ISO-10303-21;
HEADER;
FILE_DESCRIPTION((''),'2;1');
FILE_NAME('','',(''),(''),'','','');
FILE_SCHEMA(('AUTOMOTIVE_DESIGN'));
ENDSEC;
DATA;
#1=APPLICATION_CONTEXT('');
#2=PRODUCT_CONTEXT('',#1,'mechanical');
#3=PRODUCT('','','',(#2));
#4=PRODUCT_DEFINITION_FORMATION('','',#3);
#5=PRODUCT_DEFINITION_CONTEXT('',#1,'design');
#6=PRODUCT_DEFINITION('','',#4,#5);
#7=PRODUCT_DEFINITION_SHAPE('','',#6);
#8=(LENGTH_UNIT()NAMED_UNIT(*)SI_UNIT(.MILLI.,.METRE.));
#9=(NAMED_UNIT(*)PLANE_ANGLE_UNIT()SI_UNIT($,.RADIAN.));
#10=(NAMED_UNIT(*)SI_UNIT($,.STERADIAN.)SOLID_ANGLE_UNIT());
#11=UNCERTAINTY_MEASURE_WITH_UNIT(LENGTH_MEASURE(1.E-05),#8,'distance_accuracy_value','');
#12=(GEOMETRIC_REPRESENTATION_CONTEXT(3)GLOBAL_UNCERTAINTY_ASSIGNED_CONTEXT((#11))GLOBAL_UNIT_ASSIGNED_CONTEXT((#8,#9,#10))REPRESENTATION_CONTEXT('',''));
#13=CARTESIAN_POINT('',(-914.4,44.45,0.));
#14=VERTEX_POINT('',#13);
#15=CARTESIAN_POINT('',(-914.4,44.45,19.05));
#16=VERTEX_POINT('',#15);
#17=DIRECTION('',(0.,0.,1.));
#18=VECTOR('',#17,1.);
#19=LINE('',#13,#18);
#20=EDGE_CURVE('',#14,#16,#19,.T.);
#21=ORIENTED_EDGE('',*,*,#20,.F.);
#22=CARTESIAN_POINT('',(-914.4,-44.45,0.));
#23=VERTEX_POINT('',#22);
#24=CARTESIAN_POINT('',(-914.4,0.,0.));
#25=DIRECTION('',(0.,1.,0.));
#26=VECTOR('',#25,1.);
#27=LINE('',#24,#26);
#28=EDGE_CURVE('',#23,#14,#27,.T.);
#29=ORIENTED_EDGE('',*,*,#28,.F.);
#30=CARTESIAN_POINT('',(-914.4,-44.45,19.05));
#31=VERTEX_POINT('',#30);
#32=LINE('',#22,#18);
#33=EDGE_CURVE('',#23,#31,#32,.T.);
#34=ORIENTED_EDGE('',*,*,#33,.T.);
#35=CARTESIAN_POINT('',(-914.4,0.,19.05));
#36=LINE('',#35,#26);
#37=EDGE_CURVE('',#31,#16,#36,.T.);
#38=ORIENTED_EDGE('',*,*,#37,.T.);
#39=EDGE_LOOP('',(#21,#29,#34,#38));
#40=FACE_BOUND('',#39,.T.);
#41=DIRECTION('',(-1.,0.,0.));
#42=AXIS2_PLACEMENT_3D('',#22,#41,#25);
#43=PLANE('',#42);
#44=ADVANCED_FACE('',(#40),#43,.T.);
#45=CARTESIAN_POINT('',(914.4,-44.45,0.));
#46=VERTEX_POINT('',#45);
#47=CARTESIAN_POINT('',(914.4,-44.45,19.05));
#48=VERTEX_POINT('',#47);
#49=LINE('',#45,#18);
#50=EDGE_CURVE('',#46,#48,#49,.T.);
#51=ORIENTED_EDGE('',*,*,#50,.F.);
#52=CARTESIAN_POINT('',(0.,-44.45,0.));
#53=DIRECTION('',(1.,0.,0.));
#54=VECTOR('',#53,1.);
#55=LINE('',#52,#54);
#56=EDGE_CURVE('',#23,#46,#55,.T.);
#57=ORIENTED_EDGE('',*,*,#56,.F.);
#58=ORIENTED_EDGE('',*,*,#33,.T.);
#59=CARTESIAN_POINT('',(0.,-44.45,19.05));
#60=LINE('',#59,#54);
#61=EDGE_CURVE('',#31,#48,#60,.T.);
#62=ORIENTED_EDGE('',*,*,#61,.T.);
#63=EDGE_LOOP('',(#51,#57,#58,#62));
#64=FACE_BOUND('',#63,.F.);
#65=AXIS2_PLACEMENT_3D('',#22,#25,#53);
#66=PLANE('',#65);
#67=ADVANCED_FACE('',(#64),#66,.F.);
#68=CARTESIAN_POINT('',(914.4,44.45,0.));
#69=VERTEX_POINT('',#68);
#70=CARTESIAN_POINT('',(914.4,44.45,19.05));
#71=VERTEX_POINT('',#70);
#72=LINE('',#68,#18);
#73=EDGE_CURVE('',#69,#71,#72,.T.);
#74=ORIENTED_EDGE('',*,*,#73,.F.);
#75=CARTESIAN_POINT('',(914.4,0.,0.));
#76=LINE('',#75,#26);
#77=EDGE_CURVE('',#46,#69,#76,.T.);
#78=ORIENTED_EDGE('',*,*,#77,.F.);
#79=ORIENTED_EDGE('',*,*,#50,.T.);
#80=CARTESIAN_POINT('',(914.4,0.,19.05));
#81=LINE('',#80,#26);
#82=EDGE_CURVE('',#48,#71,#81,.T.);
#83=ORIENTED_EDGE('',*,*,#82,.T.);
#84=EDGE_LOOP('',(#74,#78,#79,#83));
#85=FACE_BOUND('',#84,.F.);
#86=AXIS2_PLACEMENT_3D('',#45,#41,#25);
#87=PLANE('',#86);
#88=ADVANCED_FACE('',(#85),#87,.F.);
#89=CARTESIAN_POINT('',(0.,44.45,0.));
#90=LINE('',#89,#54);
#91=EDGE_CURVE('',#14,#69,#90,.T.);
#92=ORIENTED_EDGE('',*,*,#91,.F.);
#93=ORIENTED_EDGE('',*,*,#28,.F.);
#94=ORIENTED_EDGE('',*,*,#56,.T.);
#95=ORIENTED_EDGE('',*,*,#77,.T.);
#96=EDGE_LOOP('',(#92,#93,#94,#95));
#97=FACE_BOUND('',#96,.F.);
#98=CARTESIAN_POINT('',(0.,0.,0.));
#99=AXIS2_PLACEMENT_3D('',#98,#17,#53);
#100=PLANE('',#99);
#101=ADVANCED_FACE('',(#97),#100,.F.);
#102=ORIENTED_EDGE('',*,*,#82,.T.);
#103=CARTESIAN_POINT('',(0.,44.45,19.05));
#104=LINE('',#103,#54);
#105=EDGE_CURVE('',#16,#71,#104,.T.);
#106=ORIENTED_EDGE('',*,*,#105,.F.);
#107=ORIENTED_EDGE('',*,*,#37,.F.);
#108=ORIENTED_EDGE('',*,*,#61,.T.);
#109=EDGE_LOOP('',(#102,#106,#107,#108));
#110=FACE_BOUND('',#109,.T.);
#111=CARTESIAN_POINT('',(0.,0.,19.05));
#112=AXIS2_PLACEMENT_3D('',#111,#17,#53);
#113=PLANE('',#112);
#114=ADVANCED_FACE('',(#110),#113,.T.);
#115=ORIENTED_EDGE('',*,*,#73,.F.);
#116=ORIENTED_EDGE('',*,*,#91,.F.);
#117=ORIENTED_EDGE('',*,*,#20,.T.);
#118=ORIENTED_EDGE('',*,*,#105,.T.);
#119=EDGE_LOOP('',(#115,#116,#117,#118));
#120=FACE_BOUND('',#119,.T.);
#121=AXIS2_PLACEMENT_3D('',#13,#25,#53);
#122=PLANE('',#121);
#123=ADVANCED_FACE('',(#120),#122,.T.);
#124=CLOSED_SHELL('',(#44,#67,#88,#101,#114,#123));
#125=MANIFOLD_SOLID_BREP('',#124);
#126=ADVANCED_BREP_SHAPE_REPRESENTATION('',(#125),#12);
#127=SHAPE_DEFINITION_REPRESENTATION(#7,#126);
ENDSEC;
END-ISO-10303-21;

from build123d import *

# Parameters (mm, degrees)
SKETCH_W  = 1828.8
SKETCH_H  = 88.9
PAD_DEPTH = 19.05


with BuildPart() as part:
    # Sketch → Pad (new body)
    with BuildSketch(Plane.XY):
        Rectangle(SKETCH_W, SKETCH_H)
    extrude(amount=PAD_DEPTH)


solid = part.part
